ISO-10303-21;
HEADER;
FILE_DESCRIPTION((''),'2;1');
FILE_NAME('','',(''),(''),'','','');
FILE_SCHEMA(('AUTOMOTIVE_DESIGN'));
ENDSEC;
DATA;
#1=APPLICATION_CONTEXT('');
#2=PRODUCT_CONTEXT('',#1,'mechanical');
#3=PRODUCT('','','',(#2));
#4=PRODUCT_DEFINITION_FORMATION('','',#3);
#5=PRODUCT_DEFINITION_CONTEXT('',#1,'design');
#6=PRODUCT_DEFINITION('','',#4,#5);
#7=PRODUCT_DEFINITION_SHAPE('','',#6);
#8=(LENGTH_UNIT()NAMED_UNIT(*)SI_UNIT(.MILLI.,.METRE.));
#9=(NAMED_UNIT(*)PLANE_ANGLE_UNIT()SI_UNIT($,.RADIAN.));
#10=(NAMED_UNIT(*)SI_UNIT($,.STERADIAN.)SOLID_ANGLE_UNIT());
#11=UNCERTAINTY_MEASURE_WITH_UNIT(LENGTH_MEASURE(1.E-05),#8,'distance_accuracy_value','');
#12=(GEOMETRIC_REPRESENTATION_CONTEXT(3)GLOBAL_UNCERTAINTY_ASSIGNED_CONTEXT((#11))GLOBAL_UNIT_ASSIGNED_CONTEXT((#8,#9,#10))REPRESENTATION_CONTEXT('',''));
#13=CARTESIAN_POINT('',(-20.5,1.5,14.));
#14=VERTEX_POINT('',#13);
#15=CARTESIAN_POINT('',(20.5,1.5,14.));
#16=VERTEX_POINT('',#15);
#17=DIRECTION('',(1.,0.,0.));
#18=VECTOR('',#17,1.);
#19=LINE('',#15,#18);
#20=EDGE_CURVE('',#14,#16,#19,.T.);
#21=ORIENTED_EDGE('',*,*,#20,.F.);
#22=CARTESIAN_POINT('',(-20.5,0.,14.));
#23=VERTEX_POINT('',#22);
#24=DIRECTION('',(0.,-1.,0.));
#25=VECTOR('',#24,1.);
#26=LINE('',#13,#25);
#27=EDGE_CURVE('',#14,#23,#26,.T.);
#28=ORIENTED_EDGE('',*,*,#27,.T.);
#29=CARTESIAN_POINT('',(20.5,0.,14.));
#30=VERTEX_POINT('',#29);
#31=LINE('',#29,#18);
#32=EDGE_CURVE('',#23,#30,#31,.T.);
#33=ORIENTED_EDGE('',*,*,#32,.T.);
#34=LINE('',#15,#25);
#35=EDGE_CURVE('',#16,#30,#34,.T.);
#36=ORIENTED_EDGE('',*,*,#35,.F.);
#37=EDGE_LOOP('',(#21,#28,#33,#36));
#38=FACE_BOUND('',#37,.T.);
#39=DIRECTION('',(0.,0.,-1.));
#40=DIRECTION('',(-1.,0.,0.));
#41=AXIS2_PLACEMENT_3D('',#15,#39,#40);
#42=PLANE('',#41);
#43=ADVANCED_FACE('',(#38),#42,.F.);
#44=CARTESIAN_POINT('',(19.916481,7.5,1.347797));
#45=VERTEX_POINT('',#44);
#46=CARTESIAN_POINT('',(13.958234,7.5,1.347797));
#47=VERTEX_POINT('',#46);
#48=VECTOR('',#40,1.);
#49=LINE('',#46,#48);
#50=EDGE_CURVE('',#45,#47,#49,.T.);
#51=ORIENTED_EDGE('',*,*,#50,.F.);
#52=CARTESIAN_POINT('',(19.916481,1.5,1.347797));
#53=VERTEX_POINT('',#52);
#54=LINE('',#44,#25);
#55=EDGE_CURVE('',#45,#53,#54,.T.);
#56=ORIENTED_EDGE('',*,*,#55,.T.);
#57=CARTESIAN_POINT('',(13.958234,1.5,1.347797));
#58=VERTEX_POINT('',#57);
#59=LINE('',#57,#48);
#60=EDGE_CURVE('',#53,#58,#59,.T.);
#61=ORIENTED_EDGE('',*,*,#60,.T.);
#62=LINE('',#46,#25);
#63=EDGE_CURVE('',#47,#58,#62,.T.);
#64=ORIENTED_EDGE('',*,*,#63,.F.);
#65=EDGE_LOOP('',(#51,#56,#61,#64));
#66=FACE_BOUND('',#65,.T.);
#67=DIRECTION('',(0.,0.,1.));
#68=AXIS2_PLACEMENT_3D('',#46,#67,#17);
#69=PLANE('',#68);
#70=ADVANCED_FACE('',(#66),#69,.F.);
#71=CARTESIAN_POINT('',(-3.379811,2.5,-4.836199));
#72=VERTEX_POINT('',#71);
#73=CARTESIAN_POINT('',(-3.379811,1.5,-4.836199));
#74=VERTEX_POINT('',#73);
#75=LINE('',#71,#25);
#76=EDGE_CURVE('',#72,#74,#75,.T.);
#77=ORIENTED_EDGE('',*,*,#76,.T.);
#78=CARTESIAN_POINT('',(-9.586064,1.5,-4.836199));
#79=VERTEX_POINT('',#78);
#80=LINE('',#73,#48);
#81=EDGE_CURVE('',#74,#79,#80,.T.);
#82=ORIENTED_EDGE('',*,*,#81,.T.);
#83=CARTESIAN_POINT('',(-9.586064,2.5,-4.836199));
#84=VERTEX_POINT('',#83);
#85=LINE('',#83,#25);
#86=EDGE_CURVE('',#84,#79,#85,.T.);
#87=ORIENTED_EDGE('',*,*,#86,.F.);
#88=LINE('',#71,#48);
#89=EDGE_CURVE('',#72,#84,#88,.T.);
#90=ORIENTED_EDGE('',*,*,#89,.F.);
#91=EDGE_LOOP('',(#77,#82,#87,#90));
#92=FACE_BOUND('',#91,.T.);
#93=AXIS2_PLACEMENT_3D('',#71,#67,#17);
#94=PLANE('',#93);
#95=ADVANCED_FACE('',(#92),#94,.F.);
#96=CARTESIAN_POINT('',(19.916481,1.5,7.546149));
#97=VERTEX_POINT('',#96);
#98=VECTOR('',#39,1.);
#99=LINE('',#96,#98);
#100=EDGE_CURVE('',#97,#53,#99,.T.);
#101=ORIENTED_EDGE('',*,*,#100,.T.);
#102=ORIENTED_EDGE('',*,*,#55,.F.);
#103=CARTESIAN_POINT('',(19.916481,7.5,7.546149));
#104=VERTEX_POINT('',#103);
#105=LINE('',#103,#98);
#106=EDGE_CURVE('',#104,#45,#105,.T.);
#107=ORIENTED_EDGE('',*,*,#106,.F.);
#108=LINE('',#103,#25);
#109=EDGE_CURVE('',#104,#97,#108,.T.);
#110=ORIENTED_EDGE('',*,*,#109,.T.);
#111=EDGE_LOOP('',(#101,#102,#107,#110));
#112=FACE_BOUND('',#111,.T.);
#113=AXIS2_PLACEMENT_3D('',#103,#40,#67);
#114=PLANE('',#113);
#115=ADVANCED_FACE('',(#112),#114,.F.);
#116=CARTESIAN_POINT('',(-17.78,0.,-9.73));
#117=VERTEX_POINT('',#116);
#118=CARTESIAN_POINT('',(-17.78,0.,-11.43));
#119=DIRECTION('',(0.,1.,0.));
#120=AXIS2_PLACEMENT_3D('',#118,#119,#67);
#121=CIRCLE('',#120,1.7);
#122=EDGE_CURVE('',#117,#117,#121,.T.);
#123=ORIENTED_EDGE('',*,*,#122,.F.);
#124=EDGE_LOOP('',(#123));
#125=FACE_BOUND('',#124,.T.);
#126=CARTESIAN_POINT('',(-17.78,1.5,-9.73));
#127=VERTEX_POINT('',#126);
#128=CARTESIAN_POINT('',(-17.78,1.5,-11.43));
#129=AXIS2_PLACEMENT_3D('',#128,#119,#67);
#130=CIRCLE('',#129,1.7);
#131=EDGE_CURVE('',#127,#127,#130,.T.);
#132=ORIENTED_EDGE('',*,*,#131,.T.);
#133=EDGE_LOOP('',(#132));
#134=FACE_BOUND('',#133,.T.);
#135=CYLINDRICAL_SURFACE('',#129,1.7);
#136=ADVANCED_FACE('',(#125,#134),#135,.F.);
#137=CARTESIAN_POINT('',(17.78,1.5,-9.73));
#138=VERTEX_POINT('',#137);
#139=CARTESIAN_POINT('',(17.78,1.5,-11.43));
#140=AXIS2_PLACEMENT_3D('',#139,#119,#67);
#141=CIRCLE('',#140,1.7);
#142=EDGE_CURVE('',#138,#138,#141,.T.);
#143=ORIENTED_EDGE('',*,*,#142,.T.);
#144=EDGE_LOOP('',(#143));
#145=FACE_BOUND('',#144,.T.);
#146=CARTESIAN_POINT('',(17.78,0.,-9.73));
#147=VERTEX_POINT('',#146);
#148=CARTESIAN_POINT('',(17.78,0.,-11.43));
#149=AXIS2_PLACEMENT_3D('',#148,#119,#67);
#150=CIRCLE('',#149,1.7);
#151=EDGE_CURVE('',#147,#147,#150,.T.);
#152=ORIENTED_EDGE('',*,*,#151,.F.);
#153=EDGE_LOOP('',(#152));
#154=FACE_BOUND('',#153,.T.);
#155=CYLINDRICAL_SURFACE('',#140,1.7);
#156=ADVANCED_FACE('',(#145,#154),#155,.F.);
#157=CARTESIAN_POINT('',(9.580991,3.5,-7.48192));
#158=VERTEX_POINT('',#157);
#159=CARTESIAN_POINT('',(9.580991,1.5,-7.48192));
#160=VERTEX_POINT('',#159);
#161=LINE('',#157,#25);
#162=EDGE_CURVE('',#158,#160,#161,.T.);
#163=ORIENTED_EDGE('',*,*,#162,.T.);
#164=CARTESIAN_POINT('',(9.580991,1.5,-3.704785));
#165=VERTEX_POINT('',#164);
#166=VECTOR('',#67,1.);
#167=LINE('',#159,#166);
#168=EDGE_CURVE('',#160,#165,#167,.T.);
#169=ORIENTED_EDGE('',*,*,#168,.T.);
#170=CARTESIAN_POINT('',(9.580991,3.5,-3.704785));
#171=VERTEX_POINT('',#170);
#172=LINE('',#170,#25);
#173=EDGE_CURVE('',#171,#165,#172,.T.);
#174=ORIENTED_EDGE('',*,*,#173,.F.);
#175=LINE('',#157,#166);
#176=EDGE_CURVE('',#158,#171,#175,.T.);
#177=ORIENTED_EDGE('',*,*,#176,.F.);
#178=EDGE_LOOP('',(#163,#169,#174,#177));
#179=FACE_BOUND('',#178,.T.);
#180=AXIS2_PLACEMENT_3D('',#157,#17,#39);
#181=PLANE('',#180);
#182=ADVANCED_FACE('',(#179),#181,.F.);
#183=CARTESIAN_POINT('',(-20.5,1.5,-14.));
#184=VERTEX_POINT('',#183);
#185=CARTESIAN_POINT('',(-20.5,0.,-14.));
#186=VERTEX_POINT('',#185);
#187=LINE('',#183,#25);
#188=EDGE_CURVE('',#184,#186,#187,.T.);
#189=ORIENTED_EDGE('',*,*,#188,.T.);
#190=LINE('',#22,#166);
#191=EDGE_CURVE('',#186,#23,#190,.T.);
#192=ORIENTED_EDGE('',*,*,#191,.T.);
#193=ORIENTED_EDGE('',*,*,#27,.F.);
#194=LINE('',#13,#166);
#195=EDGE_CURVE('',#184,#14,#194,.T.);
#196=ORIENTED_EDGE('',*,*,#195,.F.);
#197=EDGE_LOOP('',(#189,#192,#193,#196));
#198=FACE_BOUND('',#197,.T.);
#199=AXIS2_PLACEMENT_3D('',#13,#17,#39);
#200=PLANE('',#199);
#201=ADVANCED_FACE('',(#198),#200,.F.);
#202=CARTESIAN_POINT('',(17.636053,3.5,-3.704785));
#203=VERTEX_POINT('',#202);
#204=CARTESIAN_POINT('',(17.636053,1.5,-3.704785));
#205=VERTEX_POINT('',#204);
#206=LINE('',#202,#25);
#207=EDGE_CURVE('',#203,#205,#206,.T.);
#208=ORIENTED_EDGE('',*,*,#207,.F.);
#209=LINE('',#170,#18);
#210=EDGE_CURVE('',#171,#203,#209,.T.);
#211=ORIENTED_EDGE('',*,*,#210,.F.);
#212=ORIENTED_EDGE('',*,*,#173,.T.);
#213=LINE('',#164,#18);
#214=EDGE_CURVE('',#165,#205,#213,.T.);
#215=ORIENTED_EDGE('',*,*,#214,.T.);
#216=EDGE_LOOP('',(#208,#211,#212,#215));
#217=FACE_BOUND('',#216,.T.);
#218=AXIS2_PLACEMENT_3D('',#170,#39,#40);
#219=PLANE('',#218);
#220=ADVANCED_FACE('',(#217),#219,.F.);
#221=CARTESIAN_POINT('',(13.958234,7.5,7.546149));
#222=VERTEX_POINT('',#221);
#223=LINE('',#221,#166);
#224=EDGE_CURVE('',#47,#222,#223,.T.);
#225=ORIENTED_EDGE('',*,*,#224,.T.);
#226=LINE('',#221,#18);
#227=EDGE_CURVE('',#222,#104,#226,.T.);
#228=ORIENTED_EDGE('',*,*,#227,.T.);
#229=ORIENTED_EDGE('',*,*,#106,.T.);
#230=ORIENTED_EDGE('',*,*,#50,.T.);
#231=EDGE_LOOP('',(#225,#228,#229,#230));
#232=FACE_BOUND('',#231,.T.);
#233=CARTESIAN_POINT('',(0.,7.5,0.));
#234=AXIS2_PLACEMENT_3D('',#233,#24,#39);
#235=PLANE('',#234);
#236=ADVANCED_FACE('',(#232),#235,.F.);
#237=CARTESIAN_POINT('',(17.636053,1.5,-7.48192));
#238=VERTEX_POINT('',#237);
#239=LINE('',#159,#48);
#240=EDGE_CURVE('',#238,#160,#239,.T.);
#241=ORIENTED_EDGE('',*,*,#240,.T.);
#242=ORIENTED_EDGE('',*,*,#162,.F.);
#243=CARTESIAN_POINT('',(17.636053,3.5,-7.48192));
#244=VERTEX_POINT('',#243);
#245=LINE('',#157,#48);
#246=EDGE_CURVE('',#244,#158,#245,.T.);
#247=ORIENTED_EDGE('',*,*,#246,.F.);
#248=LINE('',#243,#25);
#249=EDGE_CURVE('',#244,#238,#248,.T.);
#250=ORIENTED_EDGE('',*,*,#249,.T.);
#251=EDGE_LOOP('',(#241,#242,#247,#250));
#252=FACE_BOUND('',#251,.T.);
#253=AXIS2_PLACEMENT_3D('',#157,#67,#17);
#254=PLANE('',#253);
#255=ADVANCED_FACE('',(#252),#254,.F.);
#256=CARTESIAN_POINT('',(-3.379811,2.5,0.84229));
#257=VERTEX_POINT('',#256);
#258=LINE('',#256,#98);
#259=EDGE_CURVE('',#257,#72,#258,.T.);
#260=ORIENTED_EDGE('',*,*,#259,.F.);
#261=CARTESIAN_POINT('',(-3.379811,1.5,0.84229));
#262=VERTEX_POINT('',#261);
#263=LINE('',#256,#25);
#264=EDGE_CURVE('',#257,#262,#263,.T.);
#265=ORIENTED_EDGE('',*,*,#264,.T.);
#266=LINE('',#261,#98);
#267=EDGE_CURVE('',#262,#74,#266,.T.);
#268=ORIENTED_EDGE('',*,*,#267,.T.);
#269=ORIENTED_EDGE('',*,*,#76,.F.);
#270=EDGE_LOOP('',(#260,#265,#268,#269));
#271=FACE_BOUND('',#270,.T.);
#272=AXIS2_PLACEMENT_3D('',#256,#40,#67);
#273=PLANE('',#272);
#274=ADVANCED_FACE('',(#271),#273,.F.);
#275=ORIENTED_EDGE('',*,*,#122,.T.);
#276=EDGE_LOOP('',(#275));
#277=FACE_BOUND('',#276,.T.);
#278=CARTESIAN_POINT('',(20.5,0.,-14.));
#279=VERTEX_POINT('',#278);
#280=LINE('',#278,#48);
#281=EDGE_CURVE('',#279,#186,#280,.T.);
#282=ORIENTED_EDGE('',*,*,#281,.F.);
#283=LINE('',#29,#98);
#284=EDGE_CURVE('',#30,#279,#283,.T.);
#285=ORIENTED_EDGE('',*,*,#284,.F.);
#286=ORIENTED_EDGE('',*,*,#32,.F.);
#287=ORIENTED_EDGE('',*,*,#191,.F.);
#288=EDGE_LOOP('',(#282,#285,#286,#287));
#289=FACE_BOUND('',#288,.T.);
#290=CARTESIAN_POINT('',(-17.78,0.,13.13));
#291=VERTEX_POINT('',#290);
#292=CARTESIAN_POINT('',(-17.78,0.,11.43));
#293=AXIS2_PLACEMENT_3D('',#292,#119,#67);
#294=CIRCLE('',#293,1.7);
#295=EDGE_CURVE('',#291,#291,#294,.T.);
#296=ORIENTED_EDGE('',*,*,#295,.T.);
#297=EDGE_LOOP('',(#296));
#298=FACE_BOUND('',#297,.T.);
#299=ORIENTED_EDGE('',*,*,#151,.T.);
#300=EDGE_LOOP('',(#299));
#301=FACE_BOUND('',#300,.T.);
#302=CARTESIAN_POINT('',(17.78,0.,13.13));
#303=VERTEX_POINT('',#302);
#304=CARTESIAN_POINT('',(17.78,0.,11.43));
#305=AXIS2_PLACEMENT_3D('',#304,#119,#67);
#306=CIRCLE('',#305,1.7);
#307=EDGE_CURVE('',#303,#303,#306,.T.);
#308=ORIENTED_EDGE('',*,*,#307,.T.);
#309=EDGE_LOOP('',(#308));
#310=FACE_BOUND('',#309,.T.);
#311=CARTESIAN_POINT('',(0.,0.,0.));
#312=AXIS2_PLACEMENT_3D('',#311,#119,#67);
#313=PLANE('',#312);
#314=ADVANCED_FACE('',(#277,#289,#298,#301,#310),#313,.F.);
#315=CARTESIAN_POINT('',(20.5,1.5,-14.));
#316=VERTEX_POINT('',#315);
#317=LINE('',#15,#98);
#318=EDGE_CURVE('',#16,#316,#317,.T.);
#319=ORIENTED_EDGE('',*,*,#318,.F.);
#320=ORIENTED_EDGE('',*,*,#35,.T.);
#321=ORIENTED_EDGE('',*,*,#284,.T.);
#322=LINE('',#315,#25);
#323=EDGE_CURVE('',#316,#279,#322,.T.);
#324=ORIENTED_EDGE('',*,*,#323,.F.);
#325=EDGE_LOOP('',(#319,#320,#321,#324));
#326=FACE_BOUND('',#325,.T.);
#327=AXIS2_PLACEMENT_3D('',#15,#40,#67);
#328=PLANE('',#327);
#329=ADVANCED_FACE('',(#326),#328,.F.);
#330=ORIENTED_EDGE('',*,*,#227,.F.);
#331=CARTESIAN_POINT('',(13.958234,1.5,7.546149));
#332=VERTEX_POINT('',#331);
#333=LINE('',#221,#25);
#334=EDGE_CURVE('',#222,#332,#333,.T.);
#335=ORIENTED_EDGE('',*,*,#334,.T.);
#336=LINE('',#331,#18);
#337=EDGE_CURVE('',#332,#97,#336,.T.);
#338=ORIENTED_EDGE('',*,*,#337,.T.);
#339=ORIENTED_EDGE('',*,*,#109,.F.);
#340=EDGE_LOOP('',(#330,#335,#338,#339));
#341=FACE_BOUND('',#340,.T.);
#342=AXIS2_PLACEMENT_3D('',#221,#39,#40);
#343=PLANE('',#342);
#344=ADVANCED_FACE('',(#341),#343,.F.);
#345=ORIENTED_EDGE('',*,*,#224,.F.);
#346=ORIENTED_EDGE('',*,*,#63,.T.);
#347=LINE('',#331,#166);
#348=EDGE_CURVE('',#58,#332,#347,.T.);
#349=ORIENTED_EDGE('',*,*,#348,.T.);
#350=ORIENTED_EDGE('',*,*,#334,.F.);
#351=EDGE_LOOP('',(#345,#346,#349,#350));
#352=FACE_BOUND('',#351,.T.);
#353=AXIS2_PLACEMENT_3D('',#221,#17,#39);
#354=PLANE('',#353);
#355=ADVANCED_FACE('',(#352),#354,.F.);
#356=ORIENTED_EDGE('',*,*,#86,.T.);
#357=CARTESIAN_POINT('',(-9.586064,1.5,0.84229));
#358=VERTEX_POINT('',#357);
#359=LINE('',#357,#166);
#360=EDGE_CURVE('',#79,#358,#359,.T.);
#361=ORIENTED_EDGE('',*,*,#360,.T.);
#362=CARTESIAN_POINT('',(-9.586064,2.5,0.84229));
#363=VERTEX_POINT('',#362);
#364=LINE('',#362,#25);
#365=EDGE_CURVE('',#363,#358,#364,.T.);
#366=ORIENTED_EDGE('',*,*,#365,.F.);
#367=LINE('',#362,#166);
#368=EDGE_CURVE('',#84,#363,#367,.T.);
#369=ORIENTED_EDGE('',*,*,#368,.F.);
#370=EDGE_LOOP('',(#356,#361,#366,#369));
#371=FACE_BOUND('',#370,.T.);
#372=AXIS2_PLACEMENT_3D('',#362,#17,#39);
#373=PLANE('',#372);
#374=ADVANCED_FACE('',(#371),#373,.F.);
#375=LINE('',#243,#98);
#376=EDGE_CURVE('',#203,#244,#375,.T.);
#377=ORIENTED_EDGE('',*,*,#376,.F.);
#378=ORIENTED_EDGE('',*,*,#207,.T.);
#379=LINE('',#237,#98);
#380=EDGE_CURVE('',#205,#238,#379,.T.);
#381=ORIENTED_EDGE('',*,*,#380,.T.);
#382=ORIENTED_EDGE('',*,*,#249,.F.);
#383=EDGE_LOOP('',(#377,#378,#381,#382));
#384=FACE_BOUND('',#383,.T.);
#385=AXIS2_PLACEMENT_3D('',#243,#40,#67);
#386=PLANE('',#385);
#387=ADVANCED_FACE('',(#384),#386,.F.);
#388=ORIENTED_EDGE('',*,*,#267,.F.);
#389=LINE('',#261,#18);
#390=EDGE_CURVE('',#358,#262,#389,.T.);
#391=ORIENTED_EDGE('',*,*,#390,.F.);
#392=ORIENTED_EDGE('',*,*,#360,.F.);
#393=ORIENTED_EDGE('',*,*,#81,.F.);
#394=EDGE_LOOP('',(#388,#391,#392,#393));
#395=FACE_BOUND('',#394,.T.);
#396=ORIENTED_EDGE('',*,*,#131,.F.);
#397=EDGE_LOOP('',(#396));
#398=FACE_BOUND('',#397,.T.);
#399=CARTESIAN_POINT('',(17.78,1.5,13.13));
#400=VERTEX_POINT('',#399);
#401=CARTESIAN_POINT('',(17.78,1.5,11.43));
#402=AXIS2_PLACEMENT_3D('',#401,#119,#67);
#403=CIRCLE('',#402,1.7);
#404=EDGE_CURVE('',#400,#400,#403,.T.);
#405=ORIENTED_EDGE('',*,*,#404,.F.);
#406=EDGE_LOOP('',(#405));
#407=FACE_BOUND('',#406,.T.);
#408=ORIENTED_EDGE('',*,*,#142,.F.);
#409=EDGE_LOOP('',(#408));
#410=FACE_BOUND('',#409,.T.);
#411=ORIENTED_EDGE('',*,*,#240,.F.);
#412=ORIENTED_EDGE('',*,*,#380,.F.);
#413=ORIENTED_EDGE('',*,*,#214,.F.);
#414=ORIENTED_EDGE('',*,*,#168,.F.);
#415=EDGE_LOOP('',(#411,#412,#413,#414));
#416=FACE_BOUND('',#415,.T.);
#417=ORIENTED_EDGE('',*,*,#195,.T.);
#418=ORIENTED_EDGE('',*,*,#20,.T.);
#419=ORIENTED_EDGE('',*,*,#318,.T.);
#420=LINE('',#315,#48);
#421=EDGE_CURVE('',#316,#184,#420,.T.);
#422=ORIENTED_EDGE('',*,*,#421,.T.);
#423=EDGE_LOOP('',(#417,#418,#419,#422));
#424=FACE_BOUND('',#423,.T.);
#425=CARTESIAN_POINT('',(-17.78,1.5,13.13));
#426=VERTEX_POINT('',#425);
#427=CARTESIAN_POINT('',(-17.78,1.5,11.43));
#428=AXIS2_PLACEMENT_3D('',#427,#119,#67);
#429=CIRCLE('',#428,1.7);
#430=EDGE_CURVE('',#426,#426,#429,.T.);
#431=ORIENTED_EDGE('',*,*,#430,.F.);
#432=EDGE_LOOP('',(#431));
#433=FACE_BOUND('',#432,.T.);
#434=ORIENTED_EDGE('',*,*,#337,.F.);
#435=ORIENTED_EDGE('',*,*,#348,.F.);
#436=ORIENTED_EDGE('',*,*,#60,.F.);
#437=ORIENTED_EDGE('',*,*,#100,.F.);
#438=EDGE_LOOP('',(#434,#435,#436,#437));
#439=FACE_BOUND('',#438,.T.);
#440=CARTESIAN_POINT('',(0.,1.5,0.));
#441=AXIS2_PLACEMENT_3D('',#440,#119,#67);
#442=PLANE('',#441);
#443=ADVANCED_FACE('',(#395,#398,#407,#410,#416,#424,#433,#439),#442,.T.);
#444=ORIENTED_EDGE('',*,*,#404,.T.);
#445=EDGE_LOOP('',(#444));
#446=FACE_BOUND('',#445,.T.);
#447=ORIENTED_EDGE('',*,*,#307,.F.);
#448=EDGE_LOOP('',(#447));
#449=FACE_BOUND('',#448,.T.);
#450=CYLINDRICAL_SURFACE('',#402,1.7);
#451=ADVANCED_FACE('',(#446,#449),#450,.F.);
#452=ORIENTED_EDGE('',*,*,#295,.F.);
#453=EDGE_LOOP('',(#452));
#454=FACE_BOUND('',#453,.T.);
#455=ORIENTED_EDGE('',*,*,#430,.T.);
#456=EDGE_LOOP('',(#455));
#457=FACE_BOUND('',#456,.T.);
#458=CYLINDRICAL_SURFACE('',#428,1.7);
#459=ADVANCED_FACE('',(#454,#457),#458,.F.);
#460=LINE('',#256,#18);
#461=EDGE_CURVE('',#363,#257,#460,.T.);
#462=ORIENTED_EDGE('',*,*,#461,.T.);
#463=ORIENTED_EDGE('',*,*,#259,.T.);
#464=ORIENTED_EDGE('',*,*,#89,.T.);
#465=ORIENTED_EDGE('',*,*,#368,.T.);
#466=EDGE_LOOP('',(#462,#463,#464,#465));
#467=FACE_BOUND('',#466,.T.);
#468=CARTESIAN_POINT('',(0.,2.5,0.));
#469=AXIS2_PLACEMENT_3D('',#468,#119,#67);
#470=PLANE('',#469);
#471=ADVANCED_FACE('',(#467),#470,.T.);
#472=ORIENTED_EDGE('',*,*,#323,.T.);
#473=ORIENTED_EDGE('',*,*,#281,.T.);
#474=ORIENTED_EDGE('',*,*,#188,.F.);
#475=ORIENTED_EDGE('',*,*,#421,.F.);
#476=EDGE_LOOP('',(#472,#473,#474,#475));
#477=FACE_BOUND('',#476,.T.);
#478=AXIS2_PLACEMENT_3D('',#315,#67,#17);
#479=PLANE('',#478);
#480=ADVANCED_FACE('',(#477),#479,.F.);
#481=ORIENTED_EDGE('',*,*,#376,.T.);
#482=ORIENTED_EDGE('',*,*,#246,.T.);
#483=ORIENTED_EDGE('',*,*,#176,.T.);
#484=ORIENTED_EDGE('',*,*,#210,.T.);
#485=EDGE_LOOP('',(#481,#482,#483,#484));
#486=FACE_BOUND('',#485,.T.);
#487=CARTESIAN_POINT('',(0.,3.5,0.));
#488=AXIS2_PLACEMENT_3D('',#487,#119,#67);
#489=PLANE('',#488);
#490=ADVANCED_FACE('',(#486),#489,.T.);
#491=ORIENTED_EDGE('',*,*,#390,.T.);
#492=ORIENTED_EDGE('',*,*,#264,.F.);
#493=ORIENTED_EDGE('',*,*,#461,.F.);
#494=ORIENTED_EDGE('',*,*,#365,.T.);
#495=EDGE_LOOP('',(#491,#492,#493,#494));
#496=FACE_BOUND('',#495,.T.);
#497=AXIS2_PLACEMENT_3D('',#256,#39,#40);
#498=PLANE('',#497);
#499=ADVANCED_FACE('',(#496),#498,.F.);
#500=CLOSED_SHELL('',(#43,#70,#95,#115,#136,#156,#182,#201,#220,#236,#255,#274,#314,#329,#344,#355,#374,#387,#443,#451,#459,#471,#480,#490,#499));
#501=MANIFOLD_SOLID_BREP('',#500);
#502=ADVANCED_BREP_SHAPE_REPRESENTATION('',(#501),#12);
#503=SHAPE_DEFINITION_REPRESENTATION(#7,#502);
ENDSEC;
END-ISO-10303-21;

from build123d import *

# Parameters (mm, degrees)
SCHIZZO1_W                   = 41
SCHIZZO1_H                   = 28
ESTRUSIONE_ESTRUSIONE1_DEPTH = 1.5
FORO_PER_VITE_M3_1_D         = 3.4
SCHIZZO5_W                   = 6.206252214
SCHIZZO5_H                   = 5.678489494
ESTRUSIONE_ESTRUSIONE2_DEPTH = 1
SCHIZZO6_W                   = 5.958246431
SCHIZZO6_H                   = 6.198352004
ESTRUSIONE_ESTRUSIONE3_DEPTH = 6
SCHIZZO7_W                   = 8.055062412
SCHIZZO7_H                   = 3.777135449
ESTRUSIONE_ESTRUSIONE4_DEPTH = 2


with BuildPart() as part:
    # Schizzo1 → Estrusione-Estrusione1 (new body)
    with BuildSketch(Plane(origin=(0, 0, 0), x_dir=(1, 0, 0), z_dir=(0, 1, 0))):
        Rectangle(SCHIZZO1_W, SCHIZZO1_H)
    extrude(amount=ESTRUSIONE_ESTRUSIONE1_DEPTH)

    # Foro per Vite M3-1 (through all)
    with Locations(Plane(origin=(0, 1.5, 0), x_dir=(1, 0, 0), z_dir=(0, 1, 0))):
        with Locations((17.78, -11.43), (17.78, 11.43), (-17.78, 11.43), (-17.78, -11.43)):
            Hole(FORO_PER_VITE_M3_1_D / 2)

    # Schizzo5 → Estrusione-Estrusione2 (add)
    with BuildSketch(Plane(origin=(0, 1.5, 0), x_dir=(1, 0, 0), z_dir=(0, 1, 0))):
        with Locations((-6.482937483, 1.99695437)):
            Rectangle(SCHIZZO5_W, SCHIZZO5_H)
    extrude(amount=ESTRUSIONE_ESTRUSIONE2_DEPTH)

    # Schizzo6 → Estrusione-Estrusione3 (add)
    with BuildSketch(Plane(origin=(0, 1.5, 0), x_dir=(1, 0, 0), z_dir=(0, 1, 0))):
        with Locations((16.937357628, -4.446973273)):
            Rectangle(SCHIZZO6_W, SCHIZZO6_H)
    extrude(amount=ESTRUSIONE_ESTRUSIONE3_DEPTH)

    # Schizzo7 → Estrusione-Estrusione4 (add)
    with BuildSketch(Plane(origin=(0, 1.5, 0), x_dir=(1, 0, 0), z_dir=(0, 1, 0))):
        with Locations((13.608521834, 5.593352434)):
            Rectangle(SCHIZZO7_W, SCHIZZO7_H)
    extrude(amount=ESTRUSIONE_ESTRUSIONE4_DEPTH)


solid = part.part
